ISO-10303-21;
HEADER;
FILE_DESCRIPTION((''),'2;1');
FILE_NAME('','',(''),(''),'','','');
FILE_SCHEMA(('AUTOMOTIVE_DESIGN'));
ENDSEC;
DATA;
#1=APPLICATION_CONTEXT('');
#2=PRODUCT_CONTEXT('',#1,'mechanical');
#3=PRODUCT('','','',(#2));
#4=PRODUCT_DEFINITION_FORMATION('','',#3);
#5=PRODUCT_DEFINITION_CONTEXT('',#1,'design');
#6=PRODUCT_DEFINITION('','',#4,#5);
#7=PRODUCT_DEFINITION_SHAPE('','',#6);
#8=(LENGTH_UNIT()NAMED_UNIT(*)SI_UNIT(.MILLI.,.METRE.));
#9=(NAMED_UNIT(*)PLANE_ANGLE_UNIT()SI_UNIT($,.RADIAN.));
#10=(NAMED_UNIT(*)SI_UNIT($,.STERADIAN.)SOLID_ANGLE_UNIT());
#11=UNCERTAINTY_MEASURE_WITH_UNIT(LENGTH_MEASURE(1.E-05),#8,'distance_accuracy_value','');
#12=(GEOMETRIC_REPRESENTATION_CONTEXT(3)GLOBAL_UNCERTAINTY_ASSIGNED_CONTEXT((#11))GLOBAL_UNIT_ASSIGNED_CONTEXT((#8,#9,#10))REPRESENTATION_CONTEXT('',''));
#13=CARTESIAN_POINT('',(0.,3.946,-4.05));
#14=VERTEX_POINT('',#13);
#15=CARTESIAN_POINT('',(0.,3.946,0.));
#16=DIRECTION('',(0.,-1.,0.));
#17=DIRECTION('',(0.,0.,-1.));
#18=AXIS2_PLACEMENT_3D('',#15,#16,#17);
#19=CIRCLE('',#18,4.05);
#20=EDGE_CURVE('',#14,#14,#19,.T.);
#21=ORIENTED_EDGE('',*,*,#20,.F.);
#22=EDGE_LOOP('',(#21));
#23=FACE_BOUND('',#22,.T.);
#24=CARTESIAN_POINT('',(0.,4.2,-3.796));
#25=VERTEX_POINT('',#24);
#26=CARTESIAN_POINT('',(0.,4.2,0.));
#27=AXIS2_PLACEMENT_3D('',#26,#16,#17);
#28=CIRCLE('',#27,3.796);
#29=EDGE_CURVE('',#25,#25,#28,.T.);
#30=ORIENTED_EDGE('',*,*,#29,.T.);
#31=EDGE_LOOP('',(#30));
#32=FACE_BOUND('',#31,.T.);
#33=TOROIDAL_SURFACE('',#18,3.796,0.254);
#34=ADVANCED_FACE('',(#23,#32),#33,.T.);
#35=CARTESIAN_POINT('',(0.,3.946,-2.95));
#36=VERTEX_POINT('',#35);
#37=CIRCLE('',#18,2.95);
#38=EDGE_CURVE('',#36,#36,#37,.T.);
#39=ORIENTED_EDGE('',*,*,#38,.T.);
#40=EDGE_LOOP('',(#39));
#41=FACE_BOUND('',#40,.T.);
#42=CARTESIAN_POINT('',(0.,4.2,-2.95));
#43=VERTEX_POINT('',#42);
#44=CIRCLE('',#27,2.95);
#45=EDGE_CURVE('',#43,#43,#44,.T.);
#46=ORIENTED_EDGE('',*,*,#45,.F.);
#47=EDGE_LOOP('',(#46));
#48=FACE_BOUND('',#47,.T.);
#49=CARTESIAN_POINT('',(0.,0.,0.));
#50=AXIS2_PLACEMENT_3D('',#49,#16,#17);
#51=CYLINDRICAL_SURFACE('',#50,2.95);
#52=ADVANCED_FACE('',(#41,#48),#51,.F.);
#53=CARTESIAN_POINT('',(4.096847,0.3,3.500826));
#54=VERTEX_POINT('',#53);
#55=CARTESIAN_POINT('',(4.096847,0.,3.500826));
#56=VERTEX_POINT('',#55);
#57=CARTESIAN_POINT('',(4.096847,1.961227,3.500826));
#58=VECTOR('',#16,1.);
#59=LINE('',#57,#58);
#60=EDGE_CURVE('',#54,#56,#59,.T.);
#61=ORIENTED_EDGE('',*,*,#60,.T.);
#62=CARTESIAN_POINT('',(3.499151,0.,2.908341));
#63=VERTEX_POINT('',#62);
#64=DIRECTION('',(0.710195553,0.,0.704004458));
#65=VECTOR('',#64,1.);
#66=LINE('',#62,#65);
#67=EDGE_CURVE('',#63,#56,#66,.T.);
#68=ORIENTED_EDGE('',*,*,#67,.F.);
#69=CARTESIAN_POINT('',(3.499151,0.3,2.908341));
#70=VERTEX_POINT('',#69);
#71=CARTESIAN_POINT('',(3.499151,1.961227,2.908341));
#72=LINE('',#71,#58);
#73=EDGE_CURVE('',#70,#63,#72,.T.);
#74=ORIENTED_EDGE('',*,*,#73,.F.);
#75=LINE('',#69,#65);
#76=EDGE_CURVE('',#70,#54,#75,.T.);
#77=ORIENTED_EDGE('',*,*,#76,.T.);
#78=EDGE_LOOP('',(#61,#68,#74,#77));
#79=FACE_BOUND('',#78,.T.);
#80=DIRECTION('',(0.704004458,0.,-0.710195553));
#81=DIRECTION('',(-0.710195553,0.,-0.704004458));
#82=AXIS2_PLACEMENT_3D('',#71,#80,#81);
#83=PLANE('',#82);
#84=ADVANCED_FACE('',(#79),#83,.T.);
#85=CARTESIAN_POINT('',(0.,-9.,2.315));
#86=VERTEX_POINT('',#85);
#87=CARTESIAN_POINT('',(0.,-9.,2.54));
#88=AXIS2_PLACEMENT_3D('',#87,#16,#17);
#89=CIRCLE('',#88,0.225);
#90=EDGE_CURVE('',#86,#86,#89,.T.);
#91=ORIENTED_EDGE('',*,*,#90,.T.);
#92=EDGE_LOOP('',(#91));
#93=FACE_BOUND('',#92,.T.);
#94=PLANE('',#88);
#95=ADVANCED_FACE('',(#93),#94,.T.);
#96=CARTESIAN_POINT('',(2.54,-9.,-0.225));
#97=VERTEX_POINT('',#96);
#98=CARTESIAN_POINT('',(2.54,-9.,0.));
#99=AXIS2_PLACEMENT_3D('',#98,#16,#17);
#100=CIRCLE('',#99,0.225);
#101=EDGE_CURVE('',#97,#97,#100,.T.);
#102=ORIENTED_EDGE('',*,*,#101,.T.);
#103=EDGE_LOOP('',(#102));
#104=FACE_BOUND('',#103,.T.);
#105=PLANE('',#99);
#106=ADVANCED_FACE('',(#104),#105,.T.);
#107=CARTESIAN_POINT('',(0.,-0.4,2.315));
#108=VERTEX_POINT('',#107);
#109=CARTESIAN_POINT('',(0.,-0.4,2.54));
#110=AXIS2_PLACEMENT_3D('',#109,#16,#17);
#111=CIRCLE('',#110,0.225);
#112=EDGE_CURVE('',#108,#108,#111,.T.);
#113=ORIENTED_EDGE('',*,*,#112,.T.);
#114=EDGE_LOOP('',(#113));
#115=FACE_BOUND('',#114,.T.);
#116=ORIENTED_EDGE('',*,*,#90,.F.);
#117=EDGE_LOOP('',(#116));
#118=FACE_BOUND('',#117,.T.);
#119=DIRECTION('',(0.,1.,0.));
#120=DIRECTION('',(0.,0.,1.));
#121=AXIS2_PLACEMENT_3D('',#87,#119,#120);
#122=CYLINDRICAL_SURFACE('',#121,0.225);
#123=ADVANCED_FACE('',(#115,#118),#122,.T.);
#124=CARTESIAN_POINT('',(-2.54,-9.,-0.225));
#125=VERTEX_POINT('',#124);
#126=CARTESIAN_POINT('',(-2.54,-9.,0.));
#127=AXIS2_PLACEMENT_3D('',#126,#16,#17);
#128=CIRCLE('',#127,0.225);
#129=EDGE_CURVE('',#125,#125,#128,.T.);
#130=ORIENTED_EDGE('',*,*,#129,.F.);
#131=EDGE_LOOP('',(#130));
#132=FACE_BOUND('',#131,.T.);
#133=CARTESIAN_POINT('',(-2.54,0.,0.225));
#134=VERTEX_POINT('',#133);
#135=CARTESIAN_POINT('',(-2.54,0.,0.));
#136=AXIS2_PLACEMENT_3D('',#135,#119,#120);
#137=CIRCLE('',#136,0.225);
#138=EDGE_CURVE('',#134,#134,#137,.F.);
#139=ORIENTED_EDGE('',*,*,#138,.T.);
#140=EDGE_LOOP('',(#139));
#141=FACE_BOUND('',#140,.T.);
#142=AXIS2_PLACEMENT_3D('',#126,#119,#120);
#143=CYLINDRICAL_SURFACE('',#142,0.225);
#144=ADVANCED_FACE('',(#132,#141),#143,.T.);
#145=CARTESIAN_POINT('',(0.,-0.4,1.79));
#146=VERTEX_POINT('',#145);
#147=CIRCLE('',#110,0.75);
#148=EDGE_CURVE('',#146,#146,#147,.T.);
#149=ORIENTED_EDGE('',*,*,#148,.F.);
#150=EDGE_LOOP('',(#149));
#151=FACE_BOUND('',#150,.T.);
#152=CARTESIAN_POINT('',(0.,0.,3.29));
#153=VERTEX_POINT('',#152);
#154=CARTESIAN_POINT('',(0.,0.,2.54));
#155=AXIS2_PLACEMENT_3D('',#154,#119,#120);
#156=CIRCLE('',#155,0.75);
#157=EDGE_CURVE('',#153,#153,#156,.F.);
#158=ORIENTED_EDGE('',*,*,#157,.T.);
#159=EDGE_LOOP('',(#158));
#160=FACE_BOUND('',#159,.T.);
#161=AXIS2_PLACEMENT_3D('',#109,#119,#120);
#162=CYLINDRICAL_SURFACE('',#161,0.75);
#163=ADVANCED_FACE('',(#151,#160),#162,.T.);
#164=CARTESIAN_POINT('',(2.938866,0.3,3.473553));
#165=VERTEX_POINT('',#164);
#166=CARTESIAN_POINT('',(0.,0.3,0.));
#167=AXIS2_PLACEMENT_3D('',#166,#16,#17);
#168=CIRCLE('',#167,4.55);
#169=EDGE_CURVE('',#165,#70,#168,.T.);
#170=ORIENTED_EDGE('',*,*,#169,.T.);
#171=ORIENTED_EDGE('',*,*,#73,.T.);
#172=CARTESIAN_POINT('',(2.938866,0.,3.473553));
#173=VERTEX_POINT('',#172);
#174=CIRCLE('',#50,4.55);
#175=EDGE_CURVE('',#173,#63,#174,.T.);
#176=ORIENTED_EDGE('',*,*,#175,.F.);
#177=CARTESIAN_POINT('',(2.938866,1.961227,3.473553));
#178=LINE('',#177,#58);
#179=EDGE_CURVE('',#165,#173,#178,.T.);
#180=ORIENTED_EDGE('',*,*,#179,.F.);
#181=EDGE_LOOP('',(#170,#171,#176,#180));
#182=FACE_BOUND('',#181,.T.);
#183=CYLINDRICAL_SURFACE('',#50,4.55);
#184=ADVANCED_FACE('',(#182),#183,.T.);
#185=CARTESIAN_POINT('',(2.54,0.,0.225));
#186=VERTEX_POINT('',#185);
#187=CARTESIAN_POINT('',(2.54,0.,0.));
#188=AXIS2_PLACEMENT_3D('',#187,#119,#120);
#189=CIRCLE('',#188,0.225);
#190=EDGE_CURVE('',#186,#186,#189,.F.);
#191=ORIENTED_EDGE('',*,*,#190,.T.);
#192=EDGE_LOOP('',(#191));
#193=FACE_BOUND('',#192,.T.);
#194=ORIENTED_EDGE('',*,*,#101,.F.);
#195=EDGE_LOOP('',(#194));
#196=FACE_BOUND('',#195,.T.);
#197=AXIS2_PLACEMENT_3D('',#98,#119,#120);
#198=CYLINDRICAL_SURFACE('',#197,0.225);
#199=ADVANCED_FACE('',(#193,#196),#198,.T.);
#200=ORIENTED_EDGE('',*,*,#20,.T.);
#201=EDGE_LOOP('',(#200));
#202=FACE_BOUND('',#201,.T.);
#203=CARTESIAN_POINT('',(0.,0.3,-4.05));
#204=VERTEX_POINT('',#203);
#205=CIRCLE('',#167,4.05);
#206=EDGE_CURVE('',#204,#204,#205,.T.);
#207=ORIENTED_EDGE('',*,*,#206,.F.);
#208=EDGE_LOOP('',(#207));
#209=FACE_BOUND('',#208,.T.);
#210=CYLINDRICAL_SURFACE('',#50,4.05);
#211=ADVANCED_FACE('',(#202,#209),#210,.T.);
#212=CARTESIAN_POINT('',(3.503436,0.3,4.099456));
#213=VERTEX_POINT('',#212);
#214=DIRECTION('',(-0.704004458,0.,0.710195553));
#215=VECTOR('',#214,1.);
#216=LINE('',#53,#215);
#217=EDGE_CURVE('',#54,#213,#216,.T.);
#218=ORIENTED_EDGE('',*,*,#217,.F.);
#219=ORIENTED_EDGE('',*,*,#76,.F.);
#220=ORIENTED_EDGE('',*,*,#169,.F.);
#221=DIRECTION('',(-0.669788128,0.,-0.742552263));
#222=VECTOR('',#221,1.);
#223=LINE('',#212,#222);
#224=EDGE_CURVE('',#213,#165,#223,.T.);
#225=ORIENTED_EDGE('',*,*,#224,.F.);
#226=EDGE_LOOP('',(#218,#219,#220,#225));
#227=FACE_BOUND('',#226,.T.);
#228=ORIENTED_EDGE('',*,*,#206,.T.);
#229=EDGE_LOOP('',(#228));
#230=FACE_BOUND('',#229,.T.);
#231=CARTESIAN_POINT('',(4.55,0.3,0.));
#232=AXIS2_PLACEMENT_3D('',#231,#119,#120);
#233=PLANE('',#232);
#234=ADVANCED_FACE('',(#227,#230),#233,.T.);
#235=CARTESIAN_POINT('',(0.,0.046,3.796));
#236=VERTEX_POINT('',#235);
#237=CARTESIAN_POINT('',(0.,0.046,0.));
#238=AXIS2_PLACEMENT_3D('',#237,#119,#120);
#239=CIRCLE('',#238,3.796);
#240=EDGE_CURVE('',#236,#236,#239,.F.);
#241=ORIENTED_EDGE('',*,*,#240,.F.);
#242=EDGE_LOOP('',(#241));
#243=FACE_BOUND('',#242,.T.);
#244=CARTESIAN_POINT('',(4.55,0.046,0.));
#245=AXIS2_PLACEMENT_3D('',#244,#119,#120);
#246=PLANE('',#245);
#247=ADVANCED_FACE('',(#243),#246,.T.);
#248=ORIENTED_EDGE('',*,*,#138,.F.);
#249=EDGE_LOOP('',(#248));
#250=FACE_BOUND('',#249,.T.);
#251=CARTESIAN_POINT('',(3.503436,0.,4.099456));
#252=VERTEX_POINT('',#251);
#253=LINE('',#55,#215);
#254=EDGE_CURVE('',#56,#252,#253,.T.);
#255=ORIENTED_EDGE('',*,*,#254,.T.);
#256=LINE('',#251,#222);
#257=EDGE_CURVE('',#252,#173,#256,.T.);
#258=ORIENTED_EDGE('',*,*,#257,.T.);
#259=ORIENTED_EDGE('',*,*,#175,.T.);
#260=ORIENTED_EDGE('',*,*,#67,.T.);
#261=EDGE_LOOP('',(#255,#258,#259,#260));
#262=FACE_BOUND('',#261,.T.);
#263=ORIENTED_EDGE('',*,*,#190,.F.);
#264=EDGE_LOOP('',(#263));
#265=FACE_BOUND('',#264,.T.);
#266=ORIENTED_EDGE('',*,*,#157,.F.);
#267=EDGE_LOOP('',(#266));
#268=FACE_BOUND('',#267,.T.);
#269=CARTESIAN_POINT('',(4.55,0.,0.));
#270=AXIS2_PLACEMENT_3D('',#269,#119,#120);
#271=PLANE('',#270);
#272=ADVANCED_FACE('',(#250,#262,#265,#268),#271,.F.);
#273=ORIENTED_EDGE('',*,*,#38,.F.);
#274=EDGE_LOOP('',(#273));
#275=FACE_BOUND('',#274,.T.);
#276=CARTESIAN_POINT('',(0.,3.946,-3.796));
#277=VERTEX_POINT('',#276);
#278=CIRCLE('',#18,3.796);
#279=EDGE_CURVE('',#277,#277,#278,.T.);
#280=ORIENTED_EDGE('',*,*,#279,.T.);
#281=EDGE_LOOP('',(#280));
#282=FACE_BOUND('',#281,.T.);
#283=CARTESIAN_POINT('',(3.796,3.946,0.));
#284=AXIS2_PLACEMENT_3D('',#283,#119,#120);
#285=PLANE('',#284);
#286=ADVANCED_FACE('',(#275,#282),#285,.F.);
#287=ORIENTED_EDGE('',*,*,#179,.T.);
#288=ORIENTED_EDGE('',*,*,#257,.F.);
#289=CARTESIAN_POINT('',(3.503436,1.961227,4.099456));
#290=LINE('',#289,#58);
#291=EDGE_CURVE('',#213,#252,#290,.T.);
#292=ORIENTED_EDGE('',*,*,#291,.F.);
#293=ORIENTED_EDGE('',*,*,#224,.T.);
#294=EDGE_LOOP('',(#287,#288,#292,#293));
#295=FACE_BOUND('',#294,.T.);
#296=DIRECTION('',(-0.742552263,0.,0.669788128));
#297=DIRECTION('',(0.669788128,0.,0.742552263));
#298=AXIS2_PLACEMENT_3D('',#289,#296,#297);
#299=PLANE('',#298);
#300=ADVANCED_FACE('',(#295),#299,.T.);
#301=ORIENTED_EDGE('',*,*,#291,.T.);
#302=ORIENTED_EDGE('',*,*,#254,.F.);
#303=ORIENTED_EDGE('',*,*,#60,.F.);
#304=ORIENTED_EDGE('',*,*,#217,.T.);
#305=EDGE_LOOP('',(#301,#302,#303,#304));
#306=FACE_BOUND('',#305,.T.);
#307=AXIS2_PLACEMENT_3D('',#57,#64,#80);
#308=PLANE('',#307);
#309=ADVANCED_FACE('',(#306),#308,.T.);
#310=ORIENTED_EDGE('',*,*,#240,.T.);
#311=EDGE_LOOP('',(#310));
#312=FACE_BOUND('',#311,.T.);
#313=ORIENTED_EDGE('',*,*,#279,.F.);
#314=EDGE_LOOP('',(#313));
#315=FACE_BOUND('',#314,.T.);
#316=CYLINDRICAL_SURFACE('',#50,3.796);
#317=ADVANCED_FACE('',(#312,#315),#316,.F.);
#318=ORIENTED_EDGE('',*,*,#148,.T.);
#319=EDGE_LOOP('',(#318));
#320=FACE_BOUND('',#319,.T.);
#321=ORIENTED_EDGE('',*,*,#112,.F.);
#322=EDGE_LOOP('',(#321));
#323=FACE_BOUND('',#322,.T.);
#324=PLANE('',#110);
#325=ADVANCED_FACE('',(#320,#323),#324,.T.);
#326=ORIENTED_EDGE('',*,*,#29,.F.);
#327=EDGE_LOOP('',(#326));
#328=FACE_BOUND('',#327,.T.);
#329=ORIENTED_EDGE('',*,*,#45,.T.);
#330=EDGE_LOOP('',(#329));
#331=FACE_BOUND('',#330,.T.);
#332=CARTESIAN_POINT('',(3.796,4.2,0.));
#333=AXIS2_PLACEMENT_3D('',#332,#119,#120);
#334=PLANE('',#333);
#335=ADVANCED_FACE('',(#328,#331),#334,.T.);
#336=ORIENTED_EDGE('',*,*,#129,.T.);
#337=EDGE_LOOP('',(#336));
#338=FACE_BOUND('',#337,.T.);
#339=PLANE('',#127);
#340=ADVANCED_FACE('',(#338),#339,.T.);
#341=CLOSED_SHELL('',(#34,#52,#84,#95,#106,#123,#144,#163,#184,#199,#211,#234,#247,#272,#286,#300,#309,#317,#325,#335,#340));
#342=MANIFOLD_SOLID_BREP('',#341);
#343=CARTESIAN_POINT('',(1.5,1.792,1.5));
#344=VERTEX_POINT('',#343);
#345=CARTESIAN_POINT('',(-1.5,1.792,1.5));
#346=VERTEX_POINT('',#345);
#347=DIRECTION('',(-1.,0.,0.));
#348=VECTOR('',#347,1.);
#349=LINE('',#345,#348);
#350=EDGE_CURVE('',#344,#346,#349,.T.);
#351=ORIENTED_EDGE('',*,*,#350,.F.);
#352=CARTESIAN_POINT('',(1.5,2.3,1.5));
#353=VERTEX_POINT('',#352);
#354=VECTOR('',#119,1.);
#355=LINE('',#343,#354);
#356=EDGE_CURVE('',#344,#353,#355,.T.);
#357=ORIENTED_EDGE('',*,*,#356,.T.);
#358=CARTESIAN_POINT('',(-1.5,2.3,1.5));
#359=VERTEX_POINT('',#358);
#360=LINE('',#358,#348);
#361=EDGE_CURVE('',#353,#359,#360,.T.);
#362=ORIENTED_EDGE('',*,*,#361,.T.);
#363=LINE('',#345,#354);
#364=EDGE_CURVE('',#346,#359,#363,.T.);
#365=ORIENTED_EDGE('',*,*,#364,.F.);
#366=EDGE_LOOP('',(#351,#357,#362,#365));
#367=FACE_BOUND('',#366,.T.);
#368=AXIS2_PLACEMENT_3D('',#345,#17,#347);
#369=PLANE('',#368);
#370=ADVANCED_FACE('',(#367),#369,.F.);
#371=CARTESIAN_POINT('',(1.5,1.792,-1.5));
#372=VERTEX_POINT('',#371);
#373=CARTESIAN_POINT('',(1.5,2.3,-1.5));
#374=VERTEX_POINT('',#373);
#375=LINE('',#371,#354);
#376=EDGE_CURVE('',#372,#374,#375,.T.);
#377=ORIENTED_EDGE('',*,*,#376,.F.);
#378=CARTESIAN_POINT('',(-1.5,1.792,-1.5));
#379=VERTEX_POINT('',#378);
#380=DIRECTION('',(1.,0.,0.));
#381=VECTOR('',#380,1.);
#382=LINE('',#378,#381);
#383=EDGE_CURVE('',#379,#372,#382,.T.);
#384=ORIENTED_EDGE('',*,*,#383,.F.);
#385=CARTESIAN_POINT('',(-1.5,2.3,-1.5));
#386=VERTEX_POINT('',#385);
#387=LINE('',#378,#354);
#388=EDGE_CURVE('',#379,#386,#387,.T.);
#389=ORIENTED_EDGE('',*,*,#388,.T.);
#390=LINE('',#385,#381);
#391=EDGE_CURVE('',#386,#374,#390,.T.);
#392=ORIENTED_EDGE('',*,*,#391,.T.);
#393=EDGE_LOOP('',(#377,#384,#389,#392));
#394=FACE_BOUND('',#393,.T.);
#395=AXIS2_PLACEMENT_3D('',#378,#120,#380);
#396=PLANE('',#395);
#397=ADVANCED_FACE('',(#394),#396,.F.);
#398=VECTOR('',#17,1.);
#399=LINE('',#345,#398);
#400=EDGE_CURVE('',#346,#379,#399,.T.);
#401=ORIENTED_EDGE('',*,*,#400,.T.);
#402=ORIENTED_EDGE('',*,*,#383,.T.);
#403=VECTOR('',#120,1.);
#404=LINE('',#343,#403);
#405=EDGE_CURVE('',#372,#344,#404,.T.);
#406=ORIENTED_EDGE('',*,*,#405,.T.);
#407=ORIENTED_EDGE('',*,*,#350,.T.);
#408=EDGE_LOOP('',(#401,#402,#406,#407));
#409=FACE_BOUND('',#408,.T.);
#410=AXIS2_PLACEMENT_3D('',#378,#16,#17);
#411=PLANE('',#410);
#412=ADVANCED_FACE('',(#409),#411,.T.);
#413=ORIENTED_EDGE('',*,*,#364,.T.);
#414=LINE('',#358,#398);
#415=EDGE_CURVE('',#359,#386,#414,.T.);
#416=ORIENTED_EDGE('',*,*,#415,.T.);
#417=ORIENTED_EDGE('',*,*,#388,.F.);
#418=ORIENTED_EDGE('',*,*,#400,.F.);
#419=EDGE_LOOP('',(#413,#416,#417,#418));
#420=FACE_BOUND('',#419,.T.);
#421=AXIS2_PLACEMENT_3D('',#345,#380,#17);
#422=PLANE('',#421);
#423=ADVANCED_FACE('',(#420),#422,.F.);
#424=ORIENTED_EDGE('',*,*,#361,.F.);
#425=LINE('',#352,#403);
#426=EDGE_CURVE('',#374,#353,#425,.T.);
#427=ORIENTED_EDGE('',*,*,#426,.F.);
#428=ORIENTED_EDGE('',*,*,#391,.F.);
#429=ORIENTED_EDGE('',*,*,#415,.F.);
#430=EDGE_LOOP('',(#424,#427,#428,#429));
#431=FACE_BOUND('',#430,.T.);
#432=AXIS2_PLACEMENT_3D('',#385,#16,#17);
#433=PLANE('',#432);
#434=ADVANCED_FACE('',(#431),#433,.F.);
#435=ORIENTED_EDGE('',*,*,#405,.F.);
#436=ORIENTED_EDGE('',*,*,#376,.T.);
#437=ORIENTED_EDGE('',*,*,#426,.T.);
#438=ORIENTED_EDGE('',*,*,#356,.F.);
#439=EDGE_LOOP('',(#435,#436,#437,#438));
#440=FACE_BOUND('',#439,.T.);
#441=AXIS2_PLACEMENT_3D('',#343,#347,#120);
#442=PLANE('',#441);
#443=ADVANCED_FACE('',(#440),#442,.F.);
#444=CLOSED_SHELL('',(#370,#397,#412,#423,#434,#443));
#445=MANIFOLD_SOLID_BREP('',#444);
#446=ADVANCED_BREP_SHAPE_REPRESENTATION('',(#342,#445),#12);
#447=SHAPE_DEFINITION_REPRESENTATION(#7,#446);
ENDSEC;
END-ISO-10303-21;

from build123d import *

# Parameters (mm, degrees)
SKETCH2_R           = 4.55
BOSS_EXTRUDE1_DEPTH = 0.046
BOSS_EXTRUDE2_START = -2.3
SKETCH3_W           = 3
SKETCH3_H           = 3
BOSS_EXTRUDE2_DEPTH = 0.508
BOSS_EXTRUDE3_DEPTH = 0.3
SKETCH5_R           = 0.225
BOSS_EXTRUDE4_DEPTH = 9
SKETCH7_R           = 0.75
BOSS_EXTRUDE5_DEPTH = 0.4


with BuildPart() as part:
    # Sketch1 → Revolve-Thin2 (revolve)
    with BuildSketch(Plane.XY, mode=Mode.PRIVATE) as revolve_thin2_sk:
        with BuildLine():
            Line((4.55, 0), (4.55, 0.3))
            Line((4.55, 0.3), (4.05, 0.3))
            Line((4.05, 0.3), (4.05, 3.946))
            ThreePointArc((4.05, 3.946), (3.975605122, 4.125605122), (3.796, 4.2))
            Line((3.796, 4.2), (2.95, 4.2))
            Line((2.95, 4.2), (2.95, 3.946))
            Line((2.95, 3.946), (3.796, 3.946))
            Line((3.796, 3.946), (3.796, 0.046))
            Line((3.796, 0.046), (4.296, 0.046))
            Line((4.296, 0.046), (4.296, 0))
            Line((4.296, 0), (4.55, 0))
        make_face()
    revolve(revolve_thin2_sk.sketch.rotate(Axis((0, 0, 0), (0, 1, 0)), 90), axis=Axis((0, 0, 0), (0, 1, 0)))  # turned: the seam where the file's is

    # Sketch2 → Boss-Extrude1 (add)
    with BuildSketch(Plane.XZ):
        with Locations(Location((0, 0, 0), (0, 0, 270))):  # turned: the seam where the file's is
            Circle(SKETCH2_R)
    extrude(amount=-BOSS_EXTRUDE1_DEPTH)

    # Sketch4 → Boss-Extrude3 (add)
    with BuildSketch(Plane.XZ):
        Polygon((3.499150564, 2.908340649), (2.938865798, 3.473552623), (3.503435617, 4.099455918), (4.096846657, 3.500826355), align=None)
    extrude(amount=-BOSS_EXTRUDE3_DEPTH)

    # Sketch5 → Boss-Extrude4 (add)
    with BuildSketch(Plane.XZ):
        with Locations(Location((-2.54, 0, 0), (0, 0, 90))):  # turned: the seam where the file's is
            Circle(SKETCH5_R)
        with Locations(Location((2.54, 0, 0), (0, 0, 90))):  # turned: the seam where the file's is
            Circle(SKETCH5_R)
        with Locations(Location((0, 2.54, 0), (0, 0, 90))):  # turned: the seam where the file's is
            Circle(SKETCH5_R)
    extrude(amount=BOSS_EXTRUDE4_DEPTH)

    # Sketch7 → Boss-Extrude5 (add)
    with BuildSketch(Plane.XZ):
        with Locations(Location((0, 2.54, 0), (0, 0, 90))):  # turned: the seam where the file's is
            Circle(SKETCH7_R)
    extrude(amount=BOSS_EXTRUDE5_DEPTH)


with BuildPart() as body_2:
    # Sketch3 → Boss-Extrude2 (new body)
    with BuildSketch(Plane.XZ.offset(BOSS_EXTRUDE2_START)):
        Rectangle(SKETCH3_W, SKETCH3_H)
    extrude(amount=BOSS_EXTRUDE2_DEPTH)


solid = Compound([part.part, body_2.part])
